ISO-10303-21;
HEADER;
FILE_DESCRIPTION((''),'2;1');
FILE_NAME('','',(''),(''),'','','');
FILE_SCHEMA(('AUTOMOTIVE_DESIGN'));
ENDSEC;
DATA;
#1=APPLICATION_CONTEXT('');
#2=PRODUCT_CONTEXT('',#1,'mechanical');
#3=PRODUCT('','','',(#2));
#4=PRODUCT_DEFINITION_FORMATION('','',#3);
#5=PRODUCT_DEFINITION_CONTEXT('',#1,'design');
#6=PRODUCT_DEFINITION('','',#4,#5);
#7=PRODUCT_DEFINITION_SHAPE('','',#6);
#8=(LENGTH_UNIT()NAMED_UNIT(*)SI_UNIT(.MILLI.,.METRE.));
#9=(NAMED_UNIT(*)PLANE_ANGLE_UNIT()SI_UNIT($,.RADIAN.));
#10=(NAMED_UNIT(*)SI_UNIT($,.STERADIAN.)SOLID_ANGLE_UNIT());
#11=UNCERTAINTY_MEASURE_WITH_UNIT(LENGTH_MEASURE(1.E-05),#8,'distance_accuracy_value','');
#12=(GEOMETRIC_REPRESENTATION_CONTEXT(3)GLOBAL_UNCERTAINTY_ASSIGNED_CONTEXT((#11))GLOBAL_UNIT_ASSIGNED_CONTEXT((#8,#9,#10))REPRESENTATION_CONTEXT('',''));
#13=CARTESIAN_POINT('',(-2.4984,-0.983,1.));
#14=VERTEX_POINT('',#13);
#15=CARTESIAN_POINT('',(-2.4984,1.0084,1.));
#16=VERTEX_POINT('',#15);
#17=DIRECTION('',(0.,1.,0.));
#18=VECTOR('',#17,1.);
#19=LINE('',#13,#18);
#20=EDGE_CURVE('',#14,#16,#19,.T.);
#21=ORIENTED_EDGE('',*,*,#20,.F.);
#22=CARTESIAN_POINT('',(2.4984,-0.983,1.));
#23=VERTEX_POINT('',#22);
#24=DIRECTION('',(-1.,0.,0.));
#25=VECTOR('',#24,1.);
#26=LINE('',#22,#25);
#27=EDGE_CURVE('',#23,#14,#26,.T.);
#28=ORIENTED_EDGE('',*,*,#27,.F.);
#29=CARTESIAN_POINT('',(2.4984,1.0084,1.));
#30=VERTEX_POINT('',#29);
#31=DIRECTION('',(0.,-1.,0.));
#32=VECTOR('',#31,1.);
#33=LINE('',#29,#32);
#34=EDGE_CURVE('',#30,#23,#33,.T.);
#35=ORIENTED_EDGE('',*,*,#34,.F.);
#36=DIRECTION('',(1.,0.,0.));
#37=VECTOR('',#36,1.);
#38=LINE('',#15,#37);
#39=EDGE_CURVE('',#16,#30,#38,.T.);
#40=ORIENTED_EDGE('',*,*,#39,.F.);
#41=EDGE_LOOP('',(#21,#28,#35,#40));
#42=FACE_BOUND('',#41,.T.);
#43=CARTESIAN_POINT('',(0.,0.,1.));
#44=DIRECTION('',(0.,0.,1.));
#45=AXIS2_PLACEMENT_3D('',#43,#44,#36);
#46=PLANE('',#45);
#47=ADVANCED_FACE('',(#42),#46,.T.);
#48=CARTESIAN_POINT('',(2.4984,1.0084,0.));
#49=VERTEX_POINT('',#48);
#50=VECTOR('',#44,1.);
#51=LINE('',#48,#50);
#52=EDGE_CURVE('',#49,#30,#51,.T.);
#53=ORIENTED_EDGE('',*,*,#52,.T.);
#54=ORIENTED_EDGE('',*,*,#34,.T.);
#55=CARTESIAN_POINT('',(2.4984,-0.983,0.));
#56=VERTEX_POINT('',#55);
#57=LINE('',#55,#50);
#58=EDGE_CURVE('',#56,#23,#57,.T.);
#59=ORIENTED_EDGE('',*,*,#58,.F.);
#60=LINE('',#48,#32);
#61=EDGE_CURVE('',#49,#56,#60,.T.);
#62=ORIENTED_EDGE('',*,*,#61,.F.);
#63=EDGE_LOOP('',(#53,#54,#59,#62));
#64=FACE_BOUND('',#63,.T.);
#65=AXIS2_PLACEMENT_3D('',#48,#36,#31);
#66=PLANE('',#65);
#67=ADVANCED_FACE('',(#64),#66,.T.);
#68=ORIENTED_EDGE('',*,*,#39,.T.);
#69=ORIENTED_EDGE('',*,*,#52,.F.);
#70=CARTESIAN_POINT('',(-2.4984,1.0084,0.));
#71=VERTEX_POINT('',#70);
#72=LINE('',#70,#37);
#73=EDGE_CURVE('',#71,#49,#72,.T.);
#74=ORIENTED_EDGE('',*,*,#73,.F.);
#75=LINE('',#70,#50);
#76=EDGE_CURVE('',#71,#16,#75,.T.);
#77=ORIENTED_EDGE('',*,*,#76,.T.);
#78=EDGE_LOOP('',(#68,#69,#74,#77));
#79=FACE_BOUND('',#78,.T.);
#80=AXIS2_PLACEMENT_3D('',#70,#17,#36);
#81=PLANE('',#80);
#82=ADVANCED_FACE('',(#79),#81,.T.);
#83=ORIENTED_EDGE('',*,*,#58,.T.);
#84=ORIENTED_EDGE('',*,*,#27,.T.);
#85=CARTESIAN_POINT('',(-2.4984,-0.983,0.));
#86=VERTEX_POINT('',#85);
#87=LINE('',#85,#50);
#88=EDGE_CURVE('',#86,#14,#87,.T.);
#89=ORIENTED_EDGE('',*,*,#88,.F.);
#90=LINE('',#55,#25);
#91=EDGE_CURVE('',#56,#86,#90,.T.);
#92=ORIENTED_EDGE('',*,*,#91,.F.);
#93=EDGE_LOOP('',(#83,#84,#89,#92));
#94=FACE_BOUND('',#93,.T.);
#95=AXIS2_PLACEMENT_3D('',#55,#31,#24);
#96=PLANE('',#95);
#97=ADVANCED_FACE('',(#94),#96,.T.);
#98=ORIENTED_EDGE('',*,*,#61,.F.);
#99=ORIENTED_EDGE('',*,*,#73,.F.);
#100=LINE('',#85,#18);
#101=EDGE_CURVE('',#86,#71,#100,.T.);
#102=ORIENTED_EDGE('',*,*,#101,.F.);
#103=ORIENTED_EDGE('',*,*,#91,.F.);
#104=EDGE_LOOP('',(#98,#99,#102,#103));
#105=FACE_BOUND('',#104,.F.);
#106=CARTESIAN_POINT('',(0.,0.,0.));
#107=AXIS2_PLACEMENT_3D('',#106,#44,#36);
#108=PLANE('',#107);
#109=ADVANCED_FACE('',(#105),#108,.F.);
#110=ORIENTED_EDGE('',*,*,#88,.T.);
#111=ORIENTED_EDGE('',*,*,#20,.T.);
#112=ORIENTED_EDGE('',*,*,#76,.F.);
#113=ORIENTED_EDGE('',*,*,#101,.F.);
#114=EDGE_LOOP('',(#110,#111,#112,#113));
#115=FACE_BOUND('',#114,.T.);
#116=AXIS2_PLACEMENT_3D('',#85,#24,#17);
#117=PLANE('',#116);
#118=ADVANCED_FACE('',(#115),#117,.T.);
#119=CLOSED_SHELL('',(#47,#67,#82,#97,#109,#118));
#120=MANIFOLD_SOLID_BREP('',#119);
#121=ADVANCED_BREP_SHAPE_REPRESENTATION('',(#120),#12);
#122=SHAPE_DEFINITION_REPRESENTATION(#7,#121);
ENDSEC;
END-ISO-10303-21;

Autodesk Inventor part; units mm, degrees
ref_plane "YZ Plane" through (0, 0, 0) normal (1, 0, 0) x (0, 1, 0)
ref_plane "XZ Plane" through (0, 0, 0) normal (0, 1, 0) x (-1, 0, 0)
ref_plane "XY Plane" through (0, 0, 0) normal (0, 0, 1) x (1, 0, 0)
sketch "C1206, C1206_3" plane through (0, 0, 0) normal (0, 0, 1) x (1, 0, 0)
  line L0 (-2.4984, 1.0084) -> (2.4984, 1.0084)
  line L1 (2.4984, 1.0084) -> (2.4984, -0.983)
  line L2 (2.4984, -0.983) -> (-2.4984, -0.983)
  line L3 (-2.4984, -0.983) -> (-2.4984, 1.0084)
extrude "Extrusion1" add sketch "C1206, C1206_3" along normal blind 1
properties part number "C1206"
